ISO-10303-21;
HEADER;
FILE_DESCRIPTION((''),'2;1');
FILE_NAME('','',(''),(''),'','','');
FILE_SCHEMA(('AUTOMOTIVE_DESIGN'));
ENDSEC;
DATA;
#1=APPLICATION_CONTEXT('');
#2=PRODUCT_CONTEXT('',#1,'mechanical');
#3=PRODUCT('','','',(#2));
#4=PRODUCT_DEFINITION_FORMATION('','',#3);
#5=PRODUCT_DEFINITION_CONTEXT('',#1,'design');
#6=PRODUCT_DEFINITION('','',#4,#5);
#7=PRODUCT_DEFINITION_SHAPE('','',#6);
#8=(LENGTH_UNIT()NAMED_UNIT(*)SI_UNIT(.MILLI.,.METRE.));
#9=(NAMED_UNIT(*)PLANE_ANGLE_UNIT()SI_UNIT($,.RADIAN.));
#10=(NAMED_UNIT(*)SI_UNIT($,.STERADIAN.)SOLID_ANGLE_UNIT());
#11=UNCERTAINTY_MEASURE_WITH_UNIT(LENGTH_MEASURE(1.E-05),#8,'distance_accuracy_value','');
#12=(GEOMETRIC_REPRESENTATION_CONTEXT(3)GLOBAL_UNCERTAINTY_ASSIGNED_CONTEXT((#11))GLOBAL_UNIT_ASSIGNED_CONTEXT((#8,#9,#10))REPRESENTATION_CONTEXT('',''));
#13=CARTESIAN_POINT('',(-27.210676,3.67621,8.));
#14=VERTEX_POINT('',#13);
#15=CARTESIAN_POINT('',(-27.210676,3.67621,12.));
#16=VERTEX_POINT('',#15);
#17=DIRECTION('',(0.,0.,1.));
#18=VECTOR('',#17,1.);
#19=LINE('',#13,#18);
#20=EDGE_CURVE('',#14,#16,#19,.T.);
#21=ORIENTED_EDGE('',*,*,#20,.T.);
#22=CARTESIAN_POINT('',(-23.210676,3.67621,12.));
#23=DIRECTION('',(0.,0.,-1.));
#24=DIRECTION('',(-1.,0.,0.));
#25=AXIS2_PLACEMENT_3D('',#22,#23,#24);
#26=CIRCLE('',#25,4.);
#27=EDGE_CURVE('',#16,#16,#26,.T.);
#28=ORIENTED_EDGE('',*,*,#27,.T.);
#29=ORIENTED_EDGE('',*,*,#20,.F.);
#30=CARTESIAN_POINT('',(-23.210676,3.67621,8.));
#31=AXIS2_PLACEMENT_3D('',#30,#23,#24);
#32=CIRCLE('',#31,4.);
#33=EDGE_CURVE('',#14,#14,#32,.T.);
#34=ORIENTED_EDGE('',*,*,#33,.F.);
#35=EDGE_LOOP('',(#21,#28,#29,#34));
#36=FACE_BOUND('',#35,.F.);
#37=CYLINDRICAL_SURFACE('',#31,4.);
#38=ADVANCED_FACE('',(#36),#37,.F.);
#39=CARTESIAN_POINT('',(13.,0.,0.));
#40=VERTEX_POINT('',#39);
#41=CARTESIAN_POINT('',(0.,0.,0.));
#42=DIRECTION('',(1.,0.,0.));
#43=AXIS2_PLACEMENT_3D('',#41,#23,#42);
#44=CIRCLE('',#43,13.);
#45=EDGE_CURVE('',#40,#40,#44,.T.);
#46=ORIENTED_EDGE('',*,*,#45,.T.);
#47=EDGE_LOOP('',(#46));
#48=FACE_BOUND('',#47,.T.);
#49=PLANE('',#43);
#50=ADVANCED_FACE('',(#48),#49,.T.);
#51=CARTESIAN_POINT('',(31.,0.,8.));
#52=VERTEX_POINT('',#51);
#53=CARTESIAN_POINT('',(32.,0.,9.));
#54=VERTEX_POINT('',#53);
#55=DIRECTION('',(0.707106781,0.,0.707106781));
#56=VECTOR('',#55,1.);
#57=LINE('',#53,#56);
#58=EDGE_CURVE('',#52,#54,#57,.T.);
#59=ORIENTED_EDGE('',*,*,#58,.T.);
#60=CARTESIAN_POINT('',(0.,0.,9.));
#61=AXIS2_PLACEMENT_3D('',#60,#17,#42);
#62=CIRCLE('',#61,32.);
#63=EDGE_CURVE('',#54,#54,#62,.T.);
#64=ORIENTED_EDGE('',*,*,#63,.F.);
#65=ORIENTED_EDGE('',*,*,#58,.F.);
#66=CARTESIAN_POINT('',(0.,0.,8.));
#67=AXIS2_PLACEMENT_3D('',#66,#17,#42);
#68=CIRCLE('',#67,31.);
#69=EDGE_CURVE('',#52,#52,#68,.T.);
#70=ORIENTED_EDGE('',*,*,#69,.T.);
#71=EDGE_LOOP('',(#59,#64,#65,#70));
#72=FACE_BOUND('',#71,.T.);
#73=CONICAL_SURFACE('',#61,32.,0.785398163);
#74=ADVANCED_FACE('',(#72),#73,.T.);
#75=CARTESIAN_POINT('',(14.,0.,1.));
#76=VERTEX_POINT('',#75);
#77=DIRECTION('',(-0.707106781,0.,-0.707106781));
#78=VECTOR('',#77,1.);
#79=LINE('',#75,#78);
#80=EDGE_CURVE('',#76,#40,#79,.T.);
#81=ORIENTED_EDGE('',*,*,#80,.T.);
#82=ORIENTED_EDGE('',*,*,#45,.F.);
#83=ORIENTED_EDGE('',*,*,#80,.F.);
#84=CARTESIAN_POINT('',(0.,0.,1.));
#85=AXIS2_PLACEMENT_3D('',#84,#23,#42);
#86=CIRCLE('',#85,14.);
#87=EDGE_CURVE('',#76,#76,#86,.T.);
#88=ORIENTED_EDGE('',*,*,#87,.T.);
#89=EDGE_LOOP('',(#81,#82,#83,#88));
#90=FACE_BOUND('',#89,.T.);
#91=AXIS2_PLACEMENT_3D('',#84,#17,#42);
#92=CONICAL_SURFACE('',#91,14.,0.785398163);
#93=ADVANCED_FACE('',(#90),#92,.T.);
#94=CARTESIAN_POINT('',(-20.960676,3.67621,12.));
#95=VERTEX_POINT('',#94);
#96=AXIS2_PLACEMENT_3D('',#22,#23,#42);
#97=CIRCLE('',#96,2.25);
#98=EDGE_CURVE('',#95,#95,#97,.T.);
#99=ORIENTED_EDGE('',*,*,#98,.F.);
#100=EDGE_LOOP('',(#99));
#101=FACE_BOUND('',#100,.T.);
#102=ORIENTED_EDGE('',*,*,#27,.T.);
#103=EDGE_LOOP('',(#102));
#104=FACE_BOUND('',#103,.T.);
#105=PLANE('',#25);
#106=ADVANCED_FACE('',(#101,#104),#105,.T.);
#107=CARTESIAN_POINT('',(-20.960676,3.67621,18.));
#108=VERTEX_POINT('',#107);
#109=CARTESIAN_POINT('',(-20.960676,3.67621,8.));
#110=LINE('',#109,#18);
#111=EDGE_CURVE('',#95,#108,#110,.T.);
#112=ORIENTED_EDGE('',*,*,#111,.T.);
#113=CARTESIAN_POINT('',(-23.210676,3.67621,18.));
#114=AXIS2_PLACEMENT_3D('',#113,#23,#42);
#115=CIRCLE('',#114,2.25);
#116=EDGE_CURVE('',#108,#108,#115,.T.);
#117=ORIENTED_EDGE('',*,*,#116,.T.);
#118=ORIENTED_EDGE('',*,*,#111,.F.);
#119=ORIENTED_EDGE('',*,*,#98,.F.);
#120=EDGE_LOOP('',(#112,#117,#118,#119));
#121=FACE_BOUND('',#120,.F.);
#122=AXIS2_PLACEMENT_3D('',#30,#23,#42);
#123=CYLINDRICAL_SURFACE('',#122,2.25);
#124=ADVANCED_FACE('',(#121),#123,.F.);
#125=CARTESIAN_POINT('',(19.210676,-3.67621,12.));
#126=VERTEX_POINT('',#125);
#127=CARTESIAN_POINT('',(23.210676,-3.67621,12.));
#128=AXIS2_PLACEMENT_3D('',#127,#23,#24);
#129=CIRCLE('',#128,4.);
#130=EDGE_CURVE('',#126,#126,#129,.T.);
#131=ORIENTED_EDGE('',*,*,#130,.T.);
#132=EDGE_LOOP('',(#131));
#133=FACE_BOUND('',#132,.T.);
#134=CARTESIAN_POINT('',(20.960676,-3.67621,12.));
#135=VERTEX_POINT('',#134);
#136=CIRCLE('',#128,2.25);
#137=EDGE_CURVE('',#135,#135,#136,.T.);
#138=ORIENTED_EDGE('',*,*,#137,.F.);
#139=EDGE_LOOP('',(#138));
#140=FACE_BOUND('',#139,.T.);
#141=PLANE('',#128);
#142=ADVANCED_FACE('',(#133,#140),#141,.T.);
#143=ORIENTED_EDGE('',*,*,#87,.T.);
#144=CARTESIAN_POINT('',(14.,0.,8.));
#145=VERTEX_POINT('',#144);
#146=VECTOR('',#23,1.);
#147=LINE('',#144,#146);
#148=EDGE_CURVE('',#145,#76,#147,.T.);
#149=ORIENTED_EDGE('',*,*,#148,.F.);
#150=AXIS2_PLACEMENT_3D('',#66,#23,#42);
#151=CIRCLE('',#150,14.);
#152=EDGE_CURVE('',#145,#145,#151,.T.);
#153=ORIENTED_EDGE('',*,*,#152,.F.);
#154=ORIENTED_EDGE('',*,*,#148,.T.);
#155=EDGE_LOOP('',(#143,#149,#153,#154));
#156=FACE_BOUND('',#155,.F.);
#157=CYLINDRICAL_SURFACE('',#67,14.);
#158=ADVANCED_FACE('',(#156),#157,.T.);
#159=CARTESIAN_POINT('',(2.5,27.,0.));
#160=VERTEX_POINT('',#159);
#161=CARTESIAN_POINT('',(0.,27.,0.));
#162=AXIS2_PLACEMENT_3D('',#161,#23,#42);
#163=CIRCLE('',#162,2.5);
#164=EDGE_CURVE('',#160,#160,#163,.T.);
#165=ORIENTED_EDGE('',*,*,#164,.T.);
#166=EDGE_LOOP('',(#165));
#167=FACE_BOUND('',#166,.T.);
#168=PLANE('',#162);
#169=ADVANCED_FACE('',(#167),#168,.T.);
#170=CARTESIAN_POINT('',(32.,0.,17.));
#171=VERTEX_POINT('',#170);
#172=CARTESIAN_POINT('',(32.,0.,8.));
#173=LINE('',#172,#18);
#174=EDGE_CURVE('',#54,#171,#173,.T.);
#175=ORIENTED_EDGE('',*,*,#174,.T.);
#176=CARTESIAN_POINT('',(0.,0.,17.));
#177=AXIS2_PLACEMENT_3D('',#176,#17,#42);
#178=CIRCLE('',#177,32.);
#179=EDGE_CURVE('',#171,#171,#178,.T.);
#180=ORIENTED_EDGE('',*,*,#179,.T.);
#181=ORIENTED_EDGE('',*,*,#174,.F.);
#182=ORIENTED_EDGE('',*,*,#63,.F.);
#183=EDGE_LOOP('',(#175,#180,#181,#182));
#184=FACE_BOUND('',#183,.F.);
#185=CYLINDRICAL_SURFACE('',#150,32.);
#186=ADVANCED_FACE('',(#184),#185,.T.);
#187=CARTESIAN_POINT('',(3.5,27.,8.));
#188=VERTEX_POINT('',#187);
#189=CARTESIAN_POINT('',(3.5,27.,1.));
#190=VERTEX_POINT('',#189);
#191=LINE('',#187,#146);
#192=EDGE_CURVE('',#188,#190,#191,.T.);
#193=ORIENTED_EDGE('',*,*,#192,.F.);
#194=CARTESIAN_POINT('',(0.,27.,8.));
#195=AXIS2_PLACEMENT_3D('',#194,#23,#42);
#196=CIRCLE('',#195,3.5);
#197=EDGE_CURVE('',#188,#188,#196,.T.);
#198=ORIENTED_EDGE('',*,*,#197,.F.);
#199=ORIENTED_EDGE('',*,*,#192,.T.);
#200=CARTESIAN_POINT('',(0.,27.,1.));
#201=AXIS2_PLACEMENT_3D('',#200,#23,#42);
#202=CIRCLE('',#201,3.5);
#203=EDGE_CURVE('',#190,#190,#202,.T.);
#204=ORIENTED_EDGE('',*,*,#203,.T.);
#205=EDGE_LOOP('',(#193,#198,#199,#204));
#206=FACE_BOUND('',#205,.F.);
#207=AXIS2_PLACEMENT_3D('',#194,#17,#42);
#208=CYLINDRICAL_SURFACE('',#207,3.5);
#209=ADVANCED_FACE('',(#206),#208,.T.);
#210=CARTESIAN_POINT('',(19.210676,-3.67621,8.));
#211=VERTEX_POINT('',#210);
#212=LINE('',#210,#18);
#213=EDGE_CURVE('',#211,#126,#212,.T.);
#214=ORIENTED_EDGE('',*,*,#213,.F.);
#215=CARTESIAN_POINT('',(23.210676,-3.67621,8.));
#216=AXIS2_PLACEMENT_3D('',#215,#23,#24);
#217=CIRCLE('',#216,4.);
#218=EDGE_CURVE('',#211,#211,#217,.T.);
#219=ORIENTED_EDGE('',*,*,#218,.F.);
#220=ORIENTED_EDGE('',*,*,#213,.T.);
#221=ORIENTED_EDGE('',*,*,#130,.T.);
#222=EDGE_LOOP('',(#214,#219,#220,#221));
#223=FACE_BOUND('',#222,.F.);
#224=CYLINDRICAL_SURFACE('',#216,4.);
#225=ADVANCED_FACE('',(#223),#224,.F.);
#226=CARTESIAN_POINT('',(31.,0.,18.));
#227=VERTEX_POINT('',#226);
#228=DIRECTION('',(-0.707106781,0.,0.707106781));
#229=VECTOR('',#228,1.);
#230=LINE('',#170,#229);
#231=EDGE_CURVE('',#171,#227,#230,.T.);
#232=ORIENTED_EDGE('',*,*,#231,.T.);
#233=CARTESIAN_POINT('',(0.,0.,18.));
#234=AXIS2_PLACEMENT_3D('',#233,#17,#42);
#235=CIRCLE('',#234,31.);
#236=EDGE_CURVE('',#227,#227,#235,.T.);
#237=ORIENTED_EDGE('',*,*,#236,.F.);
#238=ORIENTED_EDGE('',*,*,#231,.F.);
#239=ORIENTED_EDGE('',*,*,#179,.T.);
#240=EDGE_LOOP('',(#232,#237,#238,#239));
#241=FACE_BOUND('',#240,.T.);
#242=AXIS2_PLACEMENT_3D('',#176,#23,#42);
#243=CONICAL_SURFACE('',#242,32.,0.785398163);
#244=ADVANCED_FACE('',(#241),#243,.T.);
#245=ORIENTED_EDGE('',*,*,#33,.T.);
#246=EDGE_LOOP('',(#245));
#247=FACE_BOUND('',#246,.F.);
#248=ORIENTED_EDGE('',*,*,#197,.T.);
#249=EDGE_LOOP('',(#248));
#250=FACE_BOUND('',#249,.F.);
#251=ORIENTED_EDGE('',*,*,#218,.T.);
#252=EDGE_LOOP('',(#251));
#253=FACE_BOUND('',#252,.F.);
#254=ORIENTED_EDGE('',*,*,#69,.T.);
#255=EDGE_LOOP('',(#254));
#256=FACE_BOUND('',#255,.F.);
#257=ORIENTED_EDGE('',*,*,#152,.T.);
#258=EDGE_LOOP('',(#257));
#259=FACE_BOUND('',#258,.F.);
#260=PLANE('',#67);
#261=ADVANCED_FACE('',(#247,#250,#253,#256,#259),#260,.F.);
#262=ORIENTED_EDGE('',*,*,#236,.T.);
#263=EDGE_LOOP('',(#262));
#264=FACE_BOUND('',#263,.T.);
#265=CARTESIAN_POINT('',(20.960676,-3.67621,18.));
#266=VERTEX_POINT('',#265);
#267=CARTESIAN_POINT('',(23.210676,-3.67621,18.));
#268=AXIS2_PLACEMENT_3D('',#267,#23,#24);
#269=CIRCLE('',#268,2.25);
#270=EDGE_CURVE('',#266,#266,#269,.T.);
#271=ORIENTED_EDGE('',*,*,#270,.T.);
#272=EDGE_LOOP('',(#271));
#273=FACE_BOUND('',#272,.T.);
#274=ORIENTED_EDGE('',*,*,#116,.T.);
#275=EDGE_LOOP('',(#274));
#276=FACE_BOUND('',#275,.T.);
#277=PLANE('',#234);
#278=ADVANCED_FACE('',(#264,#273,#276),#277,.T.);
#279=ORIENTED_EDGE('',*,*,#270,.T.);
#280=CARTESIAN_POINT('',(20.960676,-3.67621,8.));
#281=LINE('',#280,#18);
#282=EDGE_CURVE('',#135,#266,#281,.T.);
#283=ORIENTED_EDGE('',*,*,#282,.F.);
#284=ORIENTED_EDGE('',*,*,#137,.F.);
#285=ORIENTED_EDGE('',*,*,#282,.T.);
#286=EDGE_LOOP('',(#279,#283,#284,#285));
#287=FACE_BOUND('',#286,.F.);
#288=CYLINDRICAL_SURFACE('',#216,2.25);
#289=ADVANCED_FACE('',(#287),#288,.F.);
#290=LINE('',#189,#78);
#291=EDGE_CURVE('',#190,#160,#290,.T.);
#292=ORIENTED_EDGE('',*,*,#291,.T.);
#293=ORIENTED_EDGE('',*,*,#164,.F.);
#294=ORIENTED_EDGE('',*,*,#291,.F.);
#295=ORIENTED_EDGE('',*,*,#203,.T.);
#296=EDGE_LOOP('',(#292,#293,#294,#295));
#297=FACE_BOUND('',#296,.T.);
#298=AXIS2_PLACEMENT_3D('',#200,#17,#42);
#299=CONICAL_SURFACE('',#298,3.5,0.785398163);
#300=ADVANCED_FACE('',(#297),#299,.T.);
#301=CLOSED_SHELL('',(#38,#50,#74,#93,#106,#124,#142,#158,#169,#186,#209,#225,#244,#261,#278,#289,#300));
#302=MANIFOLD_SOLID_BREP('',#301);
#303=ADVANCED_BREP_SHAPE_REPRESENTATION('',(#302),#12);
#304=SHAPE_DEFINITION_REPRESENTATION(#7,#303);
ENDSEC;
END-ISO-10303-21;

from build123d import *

# Parameters (mm, degrees)
SKETCH_1_R          = 3.5
EXTRUDE_1_DEPTH     = 5
FILLET_1_R          = 10
SKETCH_2_R          = 18
EXTRUDE_2_DEPTH     = 3
SKETCH_3_R          = 14
CUT_EXTRUDE_1_DEPTH = 32
SKETCH_4_R          = 16.75
CUT_EXTRUDE_2_DEPTH = 3
CHAMFER_1_SIZE      = 0.5
SKETCH_5_R          = 32
EXTRUDE_3_DEPTH     = 10
SKETCH_6_R          = 3.5
SKETCH_6_R_2        = 14
EXTRUDE_4_DEPTH     = 8
SKETCH_7_W          = 21.874500366
SKETCH_7_H          = 73.978344987
CUT_EXTRUDE_3_DEPTH = 62.5
CHAMFER_2_SIZE      = 1
CHAMFER_3_SIZE      = 1
SKETCH_8_R          = 2.25
CUT_EXTRUDE_4_DEPTH = 125
SKETCH_9_R          = 4
CUT_EXTRUDE_5_DEPTH = 4


with BuildPart() as part:
    # 草图1 → 凸台-拉伸1 (new body)
    with BuildSketch(Plane.XY):
        with BuildLine():
            Line((-11.5, 18.165902125), (-7.564716302, 29.602895938))
            ThreePointArc((-7.564716302, 29.602895938), (0, 35), (7.564716302, 29.602895938))
            Line((7.564716302, 29.602895938), (11.5, 18.165902125))
            ThreePointArc((11.5, 18.165902125), (18.619546181, 10.75), (21.482132723, 0.876341081))
            Line((21.482132723, 0.876341081), (29.419218059, -8.250211479))
            ThreePointArc((29.419218059, -8.250211479), (30.310889132, -17.5), (21.854501757, -21.352684459))
            Line((21.854501757, -21.352684459), (9.982132723, -19.042243206))
            ThreePointArc((9.982132723, -19.042243206), (0, -21.5), (-9.982132723, -19.042243206))
            Line((-9.982132723, -19.042243206), (-21.854501757, -21.352684459))
            ThreePointArc((-21.854501757, -21.352684459), (-30.310889132, -17.5), (-29.419218059, -8.250211479))
            Line((-29.419218059, -8.250211479), (-21.482132723, 0.876341081))
            ThreePointArc((-21.482132723, 0.876341081), (-18.619546181, 10.75), (-11.5, 18.165902125))
        make_face()
        with Locations((0, 27)):
            Circle(SKETCH_1_R, mode=Mode.SUBTRACT)
        with Locations((23.382685902, -13.5)):
            Circle(SKETCH_1_R, mode=Mode.SUBTRACT)
        with Locations((-23.382685902, -13.5)):
            Circle(SKETCH_1_R, mode=Mode.SUBTRACT)
    extrude(amount=EXTRUDE_1_DEPTH)

    # 圆角1
    fillet_1_edges = [part.edges().sort_by_distance(p)[0] for p in [
        (21.482132723, 0.876341081, 2.5),
        (9.982132723, -19.042243206, 2.5),
        (-9.982132723, -19.042243206, 2.5),
        (-21.482132723, 0.876341081, 2.5),
        (-11.5, 18.165902125, 2.5),
        (11.5, 18.165902125, 2.5),
    ]]
    fillet(fillet_1_edges, radius=FILLET_1_R)

    # 草图2 → 凸台-拉伸2 (add)
    with BuildSketch(Plane.XY.offset(5)):
        Circle(SKETCH_2_R)
    extrude(amount=EXTRUDE_2_DEPTH)

    # 草图3 → 切除-拉伸1 (cut)
    with BuildSketch(Plane.XY.offset(8)):
        Circle(SKETCH_3_R)
    extrude(amount=-CUT_EXTRUDE_1_DEPTH, mode=Mode.SUBTRACT)

    # 草图4 → 切除-拉伸2 (cut)
    with BuildSketch(Plane(origin=(0, 0, 0), x_dir=(-1, 0, 0), z_dir=(0, 0, -1))):
        Circle(SKETCH_4_R)
    extrude(amount=-CUT_EXTRUDE_2_DEPTH, mode=Mode.SUBTRACT)

    # 倒角1
    chamfer_1_edges = [part.edges().sort_by_distance(p)[0] for p in [
        (-18, 0, 8),
    ]]
    chamfer(chamfer_1_edges, length=CHAMFER_1_SIZE)

    # 草图7 → 切除-拉伸3 (cut, symmetric)
    with BuildSketch(Plane(origin=(0, 0, 0), x_dir=(0, 0, -1), z_dir=(1, 0, 0))):
        with Locations((-1.024921742, 9.171265754)):
            Rectangle(SKETCH_7_W, SKETCH_7_H)
    extrude(amount=CUT_EXTRUDE_3_DEPTH, both=True, mode=Mode.SUBTRACT)


with BuildPart() as body_2:
    # 草图5 → 凸台-拉伸3 (new body)
    with BuildSketch(Plane.XY.offset(8)):
        Circle(SKETCH_5_R)
    extrude(amount=EXTRUDE_3_DEPTH)

    # 草图6 → 凸台-拉伸4 (add)
    with BuildSketch(Plane(origin=(0, 0, 8), x_dir=(-1, 0, 0), z_dir=(0, 0, -1))):
        with Locations(Location((0, 27, 0), (0, 0, 180))):
            Circle(SKETCH_6_R)
        with Locations(Location((0, 0, 0), (0, 0, 180))):
            Circle(SKETCH_6_R_2)
    extrude(amount=EXTRUDE_4_DEPTH)

    # 倒角2
    chamfer_2_edges = [body_2.edges().sort_by_distance(p)[0] for p in [
        (-3.5, 27, 0),
        (-14, 0, 0),
    ]]
    chamfer(chamfer_2_edges, length=CHAMFER_2_SIZE)

    # 倒角3
    chamfer_3_edges = [body_2.edges().sort_by_distance(p)[0] for p in [
        (-32, 0, 8),
        (-32, 0, 18),
    ]]
    chamfer(chamfer_3_edges, length=CHAMFER_3_SIZE)

    # 草图8 → 切除-拉伸4 (cut)
    with BuildSketch(Plane(origin=(0, 0, 8), x_dir=(-1, 0, 0), z_dir=(0, 0, -1))):
        with Locations((-23.210676004, -3.676209928)):
            Circle(SKETCH_8_R)
        with Locations(Location((23.210676004, 3.676209928, 0), (0, 0, 180))):
            Circle(SKETCH_8_R)
    extrude(amount=-CUT_EXTRUDE_4_DEPTH, mode=Mode.SUBTRACT)

    # 草图9 → 切除-拉伸5 (cut)
    with BuildSketch(Plane(origin=(0, 0, 8), x_dir=(-1, 0, 0), z_dir=(0, 0, -1))):
        with Locations((-23.210676004, -3.676209928)):
            Circle(SKETCH_9_R)
        with Locations((23.210676004, 3.676209928)):
            Circle(SKETCH_9_R)
    extrude(amount=-CUT_EXTRUDE_5_DEPTH, mode=Mode.SUBTRACT)


solid = body_2.part
